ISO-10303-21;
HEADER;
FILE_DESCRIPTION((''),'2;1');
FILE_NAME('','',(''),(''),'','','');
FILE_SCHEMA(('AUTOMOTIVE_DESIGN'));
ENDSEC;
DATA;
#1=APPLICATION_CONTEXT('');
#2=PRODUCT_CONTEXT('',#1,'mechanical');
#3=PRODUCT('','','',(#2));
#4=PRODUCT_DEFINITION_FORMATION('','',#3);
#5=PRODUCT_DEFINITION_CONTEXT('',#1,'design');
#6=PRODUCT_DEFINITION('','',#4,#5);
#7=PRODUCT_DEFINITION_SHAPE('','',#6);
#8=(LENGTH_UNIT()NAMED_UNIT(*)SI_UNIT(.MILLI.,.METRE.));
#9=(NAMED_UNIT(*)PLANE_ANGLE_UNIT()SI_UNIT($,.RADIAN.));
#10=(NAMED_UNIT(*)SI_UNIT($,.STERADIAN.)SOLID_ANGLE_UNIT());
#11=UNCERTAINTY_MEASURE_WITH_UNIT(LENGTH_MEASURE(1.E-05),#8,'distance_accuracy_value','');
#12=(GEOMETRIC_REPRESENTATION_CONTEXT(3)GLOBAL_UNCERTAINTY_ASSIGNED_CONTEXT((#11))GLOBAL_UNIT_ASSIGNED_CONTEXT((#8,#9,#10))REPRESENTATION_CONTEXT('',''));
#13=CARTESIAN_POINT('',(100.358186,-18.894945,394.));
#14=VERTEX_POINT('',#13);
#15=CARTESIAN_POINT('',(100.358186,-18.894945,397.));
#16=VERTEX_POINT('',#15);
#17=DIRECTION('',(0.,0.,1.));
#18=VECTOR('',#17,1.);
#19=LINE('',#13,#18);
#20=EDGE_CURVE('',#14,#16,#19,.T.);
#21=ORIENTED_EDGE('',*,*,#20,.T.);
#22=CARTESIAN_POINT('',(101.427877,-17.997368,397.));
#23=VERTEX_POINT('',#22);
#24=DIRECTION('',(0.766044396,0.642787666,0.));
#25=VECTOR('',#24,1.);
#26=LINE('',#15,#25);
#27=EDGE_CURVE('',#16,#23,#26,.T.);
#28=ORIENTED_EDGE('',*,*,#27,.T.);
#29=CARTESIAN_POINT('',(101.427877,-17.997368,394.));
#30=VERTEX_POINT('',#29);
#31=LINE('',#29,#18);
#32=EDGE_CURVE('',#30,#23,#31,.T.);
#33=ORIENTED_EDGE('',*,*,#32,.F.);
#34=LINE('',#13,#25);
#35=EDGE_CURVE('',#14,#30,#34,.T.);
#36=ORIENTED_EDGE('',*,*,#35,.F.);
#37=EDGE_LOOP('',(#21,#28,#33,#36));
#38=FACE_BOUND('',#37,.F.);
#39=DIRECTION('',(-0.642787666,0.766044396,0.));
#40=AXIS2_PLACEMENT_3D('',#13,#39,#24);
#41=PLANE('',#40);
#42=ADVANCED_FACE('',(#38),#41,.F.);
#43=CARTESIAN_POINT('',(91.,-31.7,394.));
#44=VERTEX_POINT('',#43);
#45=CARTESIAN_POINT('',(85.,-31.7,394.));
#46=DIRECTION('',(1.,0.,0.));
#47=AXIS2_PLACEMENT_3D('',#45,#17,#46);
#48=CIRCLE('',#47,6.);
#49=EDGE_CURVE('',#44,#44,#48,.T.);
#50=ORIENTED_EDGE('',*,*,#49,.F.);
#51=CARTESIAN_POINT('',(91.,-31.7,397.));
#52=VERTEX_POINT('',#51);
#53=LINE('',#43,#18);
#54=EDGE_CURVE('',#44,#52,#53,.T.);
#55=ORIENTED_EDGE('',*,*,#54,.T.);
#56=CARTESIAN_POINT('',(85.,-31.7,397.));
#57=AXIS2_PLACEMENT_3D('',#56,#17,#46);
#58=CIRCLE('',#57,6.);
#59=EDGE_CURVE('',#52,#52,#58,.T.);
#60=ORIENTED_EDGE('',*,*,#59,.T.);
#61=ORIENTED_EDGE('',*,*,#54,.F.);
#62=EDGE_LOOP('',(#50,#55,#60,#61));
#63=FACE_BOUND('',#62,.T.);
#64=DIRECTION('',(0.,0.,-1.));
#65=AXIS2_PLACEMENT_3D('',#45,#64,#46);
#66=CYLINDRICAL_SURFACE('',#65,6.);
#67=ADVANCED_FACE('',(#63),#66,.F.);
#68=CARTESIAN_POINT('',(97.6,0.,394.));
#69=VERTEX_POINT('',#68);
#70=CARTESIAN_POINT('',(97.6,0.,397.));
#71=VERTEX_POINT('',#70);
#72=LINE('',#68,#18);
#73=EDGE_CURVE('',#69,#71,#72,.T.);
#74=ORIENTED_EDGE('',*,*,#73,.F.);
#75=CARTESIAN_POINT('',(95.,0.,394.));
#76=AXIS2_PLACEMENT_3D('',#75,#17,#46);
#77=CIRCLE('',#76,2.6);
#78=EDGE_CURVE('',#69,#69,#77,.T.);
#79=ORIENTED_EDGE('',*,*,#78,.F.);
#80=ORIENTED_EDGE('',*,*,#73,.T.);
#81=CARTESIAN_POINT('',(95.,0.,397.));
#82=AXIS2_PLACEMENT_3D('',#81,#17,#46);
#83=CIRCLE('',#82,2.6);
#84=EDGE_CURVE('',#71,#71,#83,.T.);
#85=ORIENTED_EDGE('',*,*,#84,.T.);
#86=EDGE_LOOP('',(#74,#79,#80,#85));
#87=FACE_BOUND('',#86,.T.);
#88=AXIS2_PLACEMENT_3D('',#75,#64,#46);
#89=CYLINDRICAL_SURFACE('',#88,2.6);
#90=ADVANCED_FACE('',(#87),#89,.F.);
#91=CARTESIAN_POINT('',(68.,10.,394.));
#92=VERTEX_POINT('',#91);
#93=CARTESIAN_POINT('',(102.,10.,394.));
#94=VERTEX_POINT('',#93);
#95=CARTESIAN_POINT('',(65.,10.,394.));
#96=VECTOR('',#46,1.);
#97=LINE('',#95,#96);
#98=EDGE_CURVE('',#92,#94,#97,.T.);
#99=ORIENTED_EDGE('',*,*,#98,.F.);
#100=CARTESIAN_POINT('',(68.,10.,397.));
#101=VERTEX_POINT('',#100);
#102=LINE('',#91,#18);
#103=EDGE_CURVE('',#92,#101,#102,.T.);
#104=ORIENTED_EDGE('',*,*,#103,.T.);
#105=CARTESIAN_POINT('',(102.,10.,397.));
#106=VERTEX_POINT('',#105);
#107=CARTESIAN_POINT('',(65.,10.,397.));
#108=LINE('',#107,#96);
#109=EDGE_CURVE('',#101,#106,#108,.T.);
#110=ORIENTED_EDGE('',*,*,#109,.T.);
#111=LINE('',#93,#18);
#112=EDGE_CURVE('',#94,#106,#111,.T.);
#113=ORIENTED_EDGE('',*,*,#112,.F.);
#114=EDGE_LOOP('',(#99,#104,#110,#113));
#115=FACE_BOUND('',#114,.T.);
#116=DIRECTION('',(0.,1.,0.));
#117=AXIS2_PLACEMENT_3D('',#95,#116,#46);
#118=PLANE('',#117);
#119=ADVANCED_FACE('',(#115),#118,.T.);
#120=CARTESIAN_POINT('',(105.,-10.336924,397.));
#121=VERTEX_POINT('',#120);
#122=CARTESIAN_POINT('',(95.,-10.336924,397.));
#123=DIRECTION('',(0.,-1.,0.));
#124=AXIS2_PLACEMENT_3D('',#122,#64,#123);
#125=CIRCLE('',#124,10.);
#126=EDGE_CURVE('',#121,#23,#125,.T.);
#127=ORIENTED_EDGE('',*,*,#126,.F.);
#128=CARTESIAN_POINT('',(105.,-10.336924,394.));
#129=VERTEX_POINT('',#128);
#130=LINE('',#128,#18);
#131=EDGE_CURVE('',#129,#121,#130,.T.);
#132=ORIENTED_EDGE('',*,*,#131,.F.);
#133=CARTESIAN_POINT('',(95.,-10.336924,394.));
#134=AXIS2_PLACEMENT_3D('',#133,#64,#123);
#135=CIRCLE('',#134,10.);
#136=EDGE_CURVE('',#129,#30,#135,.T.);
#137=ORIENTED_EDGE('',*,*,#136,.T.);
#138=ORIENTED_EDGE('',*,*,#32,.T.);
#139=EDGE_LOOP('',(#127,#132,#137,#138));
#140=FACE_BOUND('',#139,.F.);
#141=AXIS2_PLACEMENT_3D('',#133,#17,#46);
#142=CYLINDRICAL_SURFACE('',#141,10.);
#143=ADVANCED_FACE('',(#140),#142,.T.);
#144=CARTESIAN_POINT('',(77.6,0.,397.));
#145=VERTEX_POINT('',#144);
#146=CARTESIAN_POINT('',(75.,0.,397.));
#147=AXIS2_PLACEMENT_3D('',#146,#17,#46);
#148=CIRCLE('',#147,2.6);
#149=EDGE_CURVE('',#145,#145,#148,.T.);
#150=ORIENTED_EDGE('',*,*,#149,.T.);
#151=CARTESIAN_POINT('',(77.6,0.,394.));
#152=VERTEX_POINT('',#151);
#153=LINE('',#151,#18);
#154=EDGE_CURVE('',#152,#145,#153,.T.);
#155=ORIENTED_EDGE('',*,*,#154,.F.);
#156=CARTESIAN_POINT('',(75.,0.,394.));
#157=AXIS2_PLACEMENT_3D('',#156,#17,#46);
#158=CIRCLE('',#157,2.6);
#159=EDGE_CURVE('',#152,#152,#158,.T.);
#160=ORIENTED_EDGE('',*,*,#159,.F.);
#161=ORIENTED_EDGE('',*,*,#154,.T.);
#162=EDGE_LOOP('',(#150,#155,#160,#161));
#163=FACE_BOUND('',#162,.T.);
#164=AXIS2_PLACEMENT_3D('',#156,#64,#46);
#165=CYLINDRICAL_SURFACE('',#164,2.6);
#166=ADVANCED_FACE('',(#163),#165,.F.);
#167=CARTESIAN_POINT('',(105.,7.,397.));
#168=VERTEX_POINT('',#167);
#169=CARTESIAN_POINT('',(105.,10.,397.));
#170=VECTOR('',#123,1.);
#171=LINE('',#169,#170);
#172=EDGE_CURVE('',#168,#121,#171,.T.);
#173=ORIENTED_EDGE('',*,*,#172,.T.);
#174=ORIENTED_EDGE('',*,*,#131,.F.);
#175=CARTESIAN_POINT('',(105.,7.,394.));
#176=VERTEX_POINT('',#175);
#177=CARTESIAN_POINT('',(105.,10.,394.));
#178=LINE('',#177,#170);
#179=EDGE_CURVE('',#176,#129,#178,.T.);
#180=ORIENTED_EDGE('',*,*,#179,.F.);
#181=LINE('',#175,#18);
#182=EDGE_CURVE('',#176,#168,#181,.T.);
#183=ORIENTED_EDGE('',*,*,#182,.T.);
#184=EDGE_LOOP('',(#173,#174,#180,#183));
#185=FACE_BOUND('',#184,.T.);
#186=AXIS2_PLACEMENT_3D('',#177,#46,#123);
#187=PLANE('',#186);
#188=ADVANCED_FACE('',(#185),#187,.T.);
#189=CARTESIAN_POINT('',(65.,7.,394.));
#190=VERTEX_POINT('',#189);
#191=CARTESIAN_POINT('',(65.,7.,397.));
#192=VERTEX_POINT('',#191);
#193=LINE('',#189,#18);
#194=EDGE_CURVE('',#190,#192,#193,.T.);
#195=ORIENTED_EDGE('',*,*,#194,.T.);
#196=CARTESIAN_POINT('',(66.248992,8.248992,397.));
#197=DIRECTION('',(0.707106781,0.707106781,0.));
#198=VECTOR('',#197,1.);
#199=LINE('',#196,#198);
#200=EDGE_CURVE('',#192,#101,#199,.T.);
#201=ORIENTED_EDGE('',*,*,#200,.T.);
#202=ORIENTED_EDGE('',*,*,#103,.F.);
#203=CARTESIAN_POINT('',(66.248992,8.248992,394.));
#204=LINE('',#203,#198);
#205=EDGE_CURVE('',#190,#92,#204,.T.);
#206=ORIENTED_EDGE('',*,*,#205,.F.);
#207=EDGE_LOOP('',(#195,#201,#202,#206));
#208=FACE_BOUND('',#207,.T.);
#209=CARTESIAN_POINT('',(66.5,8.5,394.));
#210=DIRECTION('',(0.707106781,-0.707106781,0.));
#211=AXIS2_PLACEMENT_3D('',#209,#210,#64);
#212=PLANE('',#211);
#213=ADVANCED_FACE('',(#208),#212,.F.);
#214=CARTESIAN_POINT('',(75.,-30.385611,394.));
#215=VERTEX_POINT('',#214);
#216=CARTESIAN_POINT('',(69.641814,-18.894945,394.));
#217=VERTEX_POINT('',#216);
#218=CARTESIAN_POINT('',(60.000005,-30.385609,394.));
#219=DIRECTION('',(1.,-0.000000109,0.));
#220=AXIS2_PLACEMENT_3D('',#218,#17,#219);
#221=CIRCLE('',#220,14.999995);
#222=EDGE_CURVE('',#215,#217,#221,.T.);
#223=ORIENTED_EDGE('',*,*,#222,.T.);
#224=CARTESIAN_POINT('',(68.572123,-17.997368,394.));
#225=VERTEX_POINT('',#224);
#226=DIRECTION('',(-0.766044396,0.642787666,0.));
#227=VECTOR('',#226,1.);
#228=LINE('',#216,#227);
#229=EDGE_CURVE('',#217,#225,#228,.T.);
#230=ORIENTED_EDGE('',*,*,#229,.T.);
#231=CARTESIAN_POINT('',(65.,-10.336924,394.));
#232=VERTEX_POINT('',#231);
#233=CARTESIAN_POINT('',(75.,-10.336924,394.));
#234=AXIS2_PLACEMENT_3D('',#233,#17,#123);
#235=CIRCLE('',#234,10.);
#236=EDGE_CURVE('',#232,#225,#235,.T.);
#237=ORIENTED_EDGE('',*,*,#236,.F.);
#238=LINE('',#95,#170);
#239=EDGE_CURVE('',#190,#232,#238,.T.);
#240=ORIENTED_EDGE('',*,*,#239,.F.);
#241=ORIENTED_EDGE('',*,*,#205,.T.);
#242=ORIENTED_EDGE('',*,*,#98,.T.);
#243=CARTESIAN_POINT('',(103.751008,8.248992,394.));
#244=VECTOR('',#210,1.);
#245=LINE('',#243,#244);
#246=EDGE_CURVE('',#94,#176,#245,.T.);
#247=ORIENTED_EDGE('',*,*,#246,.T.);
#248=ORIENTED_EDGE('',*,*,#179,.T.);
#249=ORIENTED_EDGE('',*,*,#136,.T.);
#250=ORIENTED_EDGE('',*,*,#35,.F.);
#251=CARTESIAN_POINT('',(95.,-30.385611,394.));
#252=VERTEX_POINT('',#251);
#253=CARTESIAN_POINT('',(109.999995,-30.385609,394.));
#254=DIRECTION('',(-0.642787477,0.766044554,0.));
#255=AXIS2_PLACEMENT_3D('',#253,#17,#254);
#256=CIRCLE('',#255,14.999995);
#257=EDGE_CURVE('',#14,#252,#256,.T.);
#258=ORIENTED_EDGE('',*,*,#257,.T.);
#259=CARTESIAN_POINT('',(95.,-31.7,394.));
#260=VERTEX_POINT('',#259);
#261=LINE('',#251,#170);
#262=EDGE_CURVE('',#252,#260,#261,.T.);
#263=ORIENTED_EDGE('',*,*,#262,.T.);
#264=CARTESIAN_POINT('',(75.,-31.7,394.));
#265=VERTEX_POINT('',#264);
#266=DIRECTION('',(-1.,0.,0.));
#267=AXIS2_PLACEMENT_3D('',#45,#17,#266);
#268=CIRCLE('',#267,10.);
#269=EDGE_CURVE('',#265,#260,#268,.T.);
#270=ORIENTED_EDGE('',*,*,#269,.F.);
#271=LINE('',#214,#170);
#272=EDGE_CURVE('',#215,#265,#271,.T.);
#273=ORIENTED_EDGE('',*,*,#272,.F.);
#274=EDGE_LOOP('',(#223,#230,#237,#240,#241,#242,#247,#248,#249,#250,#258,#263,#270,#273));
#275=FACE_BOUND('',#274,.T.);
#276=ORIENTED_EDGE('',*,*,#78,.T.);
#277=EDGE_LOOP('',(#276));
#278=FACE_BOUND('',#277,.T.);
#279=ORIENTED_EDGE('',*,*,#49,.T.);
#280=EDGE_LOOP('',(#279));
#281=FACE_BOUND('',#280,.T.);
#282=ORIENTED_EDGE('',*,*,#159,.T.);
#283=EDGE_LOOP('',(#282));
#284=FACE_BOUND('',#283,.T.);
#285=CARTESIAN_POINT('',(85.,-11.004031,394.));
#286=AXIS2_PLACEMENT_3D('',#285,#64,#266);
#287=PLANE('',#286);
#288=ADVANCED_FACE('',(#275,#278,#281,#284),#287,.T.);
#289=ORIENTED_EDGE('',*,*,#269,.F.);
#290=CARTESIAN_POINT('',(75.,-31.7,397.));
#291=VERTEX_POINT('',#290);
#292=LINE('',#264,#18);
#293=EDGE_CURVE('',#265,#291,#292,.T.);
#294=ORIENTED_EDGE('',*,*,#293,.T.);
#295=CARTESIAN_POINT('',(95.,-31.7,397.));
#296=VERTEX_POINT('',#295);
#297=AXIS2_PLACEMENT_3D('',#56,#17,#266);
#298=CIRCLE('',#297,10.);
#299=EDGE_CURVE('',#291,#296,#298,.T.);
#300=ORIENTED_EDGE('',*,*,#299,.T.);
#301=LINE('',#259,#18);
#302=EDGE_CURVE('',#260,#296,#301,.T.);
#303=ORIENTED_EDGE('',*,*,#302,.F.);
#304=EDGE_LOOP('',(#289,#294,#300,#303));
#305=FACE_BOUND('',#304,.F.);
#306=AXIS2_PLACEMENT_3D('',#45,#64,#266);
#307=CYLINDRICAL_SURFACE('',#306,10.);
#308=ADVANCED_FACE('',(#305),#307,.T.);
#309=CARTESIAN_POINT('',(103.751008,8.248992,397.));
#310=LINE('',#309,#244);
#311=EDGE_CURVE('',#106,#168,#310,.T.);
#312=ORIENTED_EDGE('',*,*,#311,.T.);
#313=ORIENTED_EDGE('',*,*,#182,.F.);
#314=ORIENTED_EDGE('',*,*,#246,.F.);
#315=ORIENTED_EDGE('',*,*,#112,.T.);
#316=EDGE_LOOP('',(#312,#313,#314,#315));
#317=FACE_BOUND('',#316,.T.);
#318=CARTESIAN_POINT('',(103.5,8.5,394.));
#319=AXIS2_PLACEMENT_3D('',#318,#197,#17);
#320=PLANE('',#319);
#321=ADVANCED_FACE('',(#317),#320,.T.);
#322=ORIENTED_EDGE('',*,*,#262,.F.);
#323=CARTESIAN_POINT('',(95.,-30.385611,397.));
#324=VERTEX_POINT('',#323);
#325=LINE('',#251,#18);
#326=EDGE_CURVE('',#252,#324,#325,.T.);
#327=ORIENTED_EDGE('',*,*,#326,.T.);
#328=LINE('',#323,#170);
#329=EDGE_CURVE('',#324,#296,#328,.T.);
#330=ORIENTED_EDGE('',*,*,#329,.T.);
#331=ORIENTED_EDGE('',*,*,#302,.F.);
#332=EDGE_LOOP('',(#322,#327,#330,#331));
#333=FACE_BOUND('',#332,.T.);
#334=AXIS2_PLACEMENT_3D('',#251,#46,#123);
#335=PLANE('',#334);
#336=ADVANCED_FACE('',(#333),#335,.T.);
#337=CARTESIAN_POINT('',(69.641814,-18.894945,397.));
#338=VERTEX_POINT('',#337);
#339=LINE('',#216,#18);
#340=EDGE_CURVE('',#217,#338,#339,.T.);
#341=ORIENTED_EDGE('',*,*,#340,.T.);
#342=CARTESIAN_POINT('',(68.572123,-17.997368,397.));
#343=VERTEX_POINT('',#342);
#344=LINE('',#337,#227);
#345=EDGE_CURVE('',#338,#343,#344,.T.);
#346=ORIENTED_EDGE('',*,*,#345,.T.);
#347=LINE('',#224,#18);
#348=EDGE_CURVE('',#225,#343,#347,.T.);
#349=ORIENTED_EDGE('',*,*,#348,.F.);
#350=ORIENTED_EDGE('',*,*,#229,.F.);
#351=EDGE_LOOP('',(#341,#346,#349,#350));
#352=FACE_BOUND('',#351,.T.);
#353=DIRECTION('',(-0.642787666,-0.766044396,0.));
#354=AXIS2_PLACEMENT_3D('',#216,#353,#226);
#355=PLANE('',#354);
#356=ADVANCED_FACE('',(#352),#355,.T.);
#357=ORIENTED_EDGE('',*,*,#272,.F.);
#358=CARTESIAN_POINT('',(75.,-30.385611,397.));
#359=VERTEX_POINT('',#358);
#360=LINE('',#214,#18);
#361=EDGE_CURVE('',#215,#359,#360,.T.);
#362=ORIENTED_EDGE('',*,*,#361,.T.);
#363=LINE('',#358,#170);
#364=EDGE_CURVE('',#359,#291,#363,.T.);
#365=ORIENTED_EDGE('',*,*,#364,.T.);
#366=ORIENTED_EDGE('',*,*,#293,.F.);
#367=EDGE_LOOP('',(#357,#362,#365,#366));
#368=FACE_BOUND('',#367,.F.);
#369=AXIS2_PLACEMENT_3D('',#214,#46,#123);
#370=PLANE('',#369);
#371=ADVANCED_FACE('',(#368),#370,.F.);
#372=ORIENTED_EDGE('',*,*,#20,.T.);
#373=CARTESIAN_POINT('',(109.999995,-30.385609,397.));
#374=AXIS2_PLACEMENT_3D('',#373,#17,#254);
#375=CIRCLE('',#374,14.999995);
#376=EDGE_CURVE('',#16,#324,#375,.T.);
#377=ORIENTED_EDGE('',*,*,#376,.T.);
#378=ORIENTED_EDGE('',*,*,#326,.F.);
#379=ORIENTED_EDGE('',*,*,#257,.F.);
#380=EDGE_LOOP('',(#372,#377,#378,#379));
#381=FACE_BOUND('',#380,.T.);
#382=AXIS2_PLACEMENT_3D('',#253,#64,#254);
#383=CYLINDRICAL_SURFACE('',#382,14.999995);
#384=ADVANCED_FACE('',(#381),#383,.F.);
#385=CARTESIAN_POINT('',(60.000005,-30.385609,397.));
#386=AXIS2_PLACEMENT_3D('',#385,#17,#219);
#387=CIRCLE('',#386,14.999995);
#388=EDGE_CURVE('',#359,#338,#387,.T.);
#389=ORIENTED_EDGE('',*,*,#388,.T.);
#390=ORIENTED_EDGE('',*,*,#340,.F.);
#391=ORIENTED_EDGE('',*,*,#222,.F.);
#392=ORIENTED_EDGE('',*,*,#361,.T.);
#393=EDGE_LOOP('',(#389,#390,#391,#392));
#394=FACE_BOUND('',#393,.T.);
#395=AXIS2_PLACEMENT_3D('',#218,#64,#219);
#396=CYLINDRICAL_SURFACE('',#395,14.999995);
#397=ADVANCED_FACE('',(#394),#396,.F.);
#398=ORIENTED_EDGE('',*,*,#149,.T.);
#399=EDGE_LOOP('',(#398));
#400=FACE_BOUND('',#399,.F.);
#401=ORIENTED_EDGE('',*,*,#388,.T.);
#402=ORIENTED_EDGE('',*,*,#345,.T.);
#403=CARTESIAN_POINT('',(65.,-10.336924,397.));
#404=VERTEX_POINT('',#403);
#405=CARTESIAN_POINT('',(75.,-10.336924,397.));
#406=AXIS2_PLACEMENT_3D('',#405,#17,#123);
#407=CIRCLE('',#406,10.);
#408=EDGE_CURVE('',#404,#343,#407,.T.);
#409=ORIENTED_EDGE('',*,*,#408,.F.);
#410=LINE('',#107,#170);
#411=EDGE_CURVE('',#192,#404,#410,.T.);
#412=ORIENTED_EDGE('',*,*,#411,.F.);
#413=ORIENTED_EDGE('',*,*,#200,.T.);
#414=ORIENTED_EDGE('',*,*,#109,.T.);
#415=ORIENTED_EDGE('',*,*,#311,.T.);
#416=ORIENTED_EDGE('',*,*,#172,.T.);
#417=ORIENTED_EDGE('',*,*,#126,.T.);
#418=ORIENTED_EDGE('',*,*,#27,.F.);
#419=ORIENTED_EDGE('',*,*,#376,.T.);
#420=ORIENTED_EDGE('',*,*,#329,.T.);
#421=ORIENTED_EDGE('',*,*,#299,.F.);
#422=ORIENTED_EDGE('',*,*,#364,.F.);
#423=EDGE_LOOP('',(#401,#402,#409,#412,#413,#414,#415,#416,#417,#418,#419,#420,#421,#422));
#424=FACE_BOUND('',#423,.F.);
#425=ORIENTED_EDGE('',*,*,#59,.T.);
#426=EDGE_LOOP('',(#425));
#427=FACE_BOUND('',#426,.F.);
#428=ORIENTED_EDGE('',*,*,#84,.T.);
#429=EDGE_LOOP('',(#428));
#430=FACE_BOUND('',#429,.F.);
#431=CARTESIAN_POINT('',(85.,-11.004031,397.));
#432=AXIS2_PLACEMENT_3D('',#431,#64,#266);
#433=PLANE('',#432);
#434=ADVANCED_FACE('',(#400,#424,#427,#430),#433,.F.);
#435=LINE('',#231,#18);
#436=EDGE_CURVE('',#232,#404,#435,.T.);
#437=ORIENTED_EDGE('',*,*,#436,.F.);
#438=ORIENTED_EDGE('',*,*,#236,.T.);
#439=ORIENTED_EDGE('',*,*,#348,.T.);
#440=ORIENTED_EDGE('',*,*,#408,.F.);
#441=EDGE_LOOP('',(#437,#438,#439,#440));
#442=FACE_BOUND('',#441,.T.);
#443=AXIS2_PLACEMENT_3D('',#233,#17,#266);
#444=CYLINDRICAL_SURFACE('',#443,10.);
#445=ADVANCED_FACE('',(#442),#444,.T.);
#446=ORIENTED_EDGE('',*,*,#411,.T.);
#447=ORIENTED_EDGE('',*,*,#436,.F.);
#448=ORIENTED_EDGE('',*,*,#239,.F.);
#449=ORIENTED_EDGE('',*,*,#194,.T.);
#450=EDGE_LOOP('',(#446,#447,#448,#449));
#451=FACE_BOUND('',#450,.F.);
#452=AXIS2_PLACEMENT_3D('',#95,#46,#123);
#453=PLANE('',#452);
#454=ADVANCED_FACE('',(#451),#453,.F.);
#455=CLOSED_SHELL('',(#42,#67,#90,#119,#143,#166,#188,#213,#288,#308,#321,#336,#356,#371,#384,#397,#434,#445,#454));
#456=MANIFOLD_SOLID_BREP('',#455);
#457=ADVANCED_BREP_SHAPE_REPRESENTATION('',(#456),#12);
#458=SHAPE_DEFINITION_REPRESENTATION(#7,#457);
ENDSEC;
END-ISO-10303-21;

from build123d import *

# Parameters (mm, degrees)
SKETCH058_R     = 6
SKETCH058_R_2   = 2.6
PAD019_DEPTH    = 3
FILLET011_R     = 10
CHAMFER018_SIZE = 3


with BuildPart() as part:
    # Sketch058 → Pad019 (new body)
    with BuildSketch(Plane.XY):
        with BuildLine():
            Line((-20, -10), (-20, 10))
            Line((-20, 10), (20, 10))
            Line((20, 10), (20, -10))
            Line((20, -10), (20, -15))
            Line((15.358186, -18.894945), (20, -15))
            ThreePointArc((15.358186, -18.894945), (11.405383, -24.046337), (10, -30.385611))
            Line((10, -30.385611), (10, -31.7))
            ThreePointArc((-10, -31.7), (0, -41.7), (10, -31.7))
            Line((-10, -30.385611), (-10, -31.7))
            ThreePointArc((-10, -30.385611), (-11.405383, -24.046337), (-15.358186, -18.894945))
            Line((-15.358186, -18.894945), (-20, -15))
            Line((-20, -10), (-20, -15))
        make_face()
        with Locations((0, -31.7)):
            Circle(SKETCH058_R, mode=Mode.SUBTRACT)
        with Locations((-10, 0)):
            Circle(SKETCH058_R_2, mode=Mode.SUBTRACT)
        with Locations((10, 0)):
            Circle(SKETCH058_R_2, mode=Mode.SUBTRACT)
    extrude(amount=PAD019_DEPTH)

    # Fillet011
    fillet011_edges = [part.edges().sort_by_distance(p)[0] for p in [
        (-20, -15, 1.5),
        (20, -15, 1.5),
    ]]
    fillet(fillet011_edges, radius=FILLET011_R)

    # Chamfer018
    chamfer018_edges = [part.edges().sort_by_distance(p)[0] for p in [
        (-20, 10, 1.5),
        (20, 10, 1.5),
    ]]
    chamfer(chamfer018_edges, length=CHAMFER018_SIZE)


with BuildPart() as part_1:
    # Body011 placement: moved
    add(part.part.moved(Location((85, 0, 394))))


solid = part_1.part
